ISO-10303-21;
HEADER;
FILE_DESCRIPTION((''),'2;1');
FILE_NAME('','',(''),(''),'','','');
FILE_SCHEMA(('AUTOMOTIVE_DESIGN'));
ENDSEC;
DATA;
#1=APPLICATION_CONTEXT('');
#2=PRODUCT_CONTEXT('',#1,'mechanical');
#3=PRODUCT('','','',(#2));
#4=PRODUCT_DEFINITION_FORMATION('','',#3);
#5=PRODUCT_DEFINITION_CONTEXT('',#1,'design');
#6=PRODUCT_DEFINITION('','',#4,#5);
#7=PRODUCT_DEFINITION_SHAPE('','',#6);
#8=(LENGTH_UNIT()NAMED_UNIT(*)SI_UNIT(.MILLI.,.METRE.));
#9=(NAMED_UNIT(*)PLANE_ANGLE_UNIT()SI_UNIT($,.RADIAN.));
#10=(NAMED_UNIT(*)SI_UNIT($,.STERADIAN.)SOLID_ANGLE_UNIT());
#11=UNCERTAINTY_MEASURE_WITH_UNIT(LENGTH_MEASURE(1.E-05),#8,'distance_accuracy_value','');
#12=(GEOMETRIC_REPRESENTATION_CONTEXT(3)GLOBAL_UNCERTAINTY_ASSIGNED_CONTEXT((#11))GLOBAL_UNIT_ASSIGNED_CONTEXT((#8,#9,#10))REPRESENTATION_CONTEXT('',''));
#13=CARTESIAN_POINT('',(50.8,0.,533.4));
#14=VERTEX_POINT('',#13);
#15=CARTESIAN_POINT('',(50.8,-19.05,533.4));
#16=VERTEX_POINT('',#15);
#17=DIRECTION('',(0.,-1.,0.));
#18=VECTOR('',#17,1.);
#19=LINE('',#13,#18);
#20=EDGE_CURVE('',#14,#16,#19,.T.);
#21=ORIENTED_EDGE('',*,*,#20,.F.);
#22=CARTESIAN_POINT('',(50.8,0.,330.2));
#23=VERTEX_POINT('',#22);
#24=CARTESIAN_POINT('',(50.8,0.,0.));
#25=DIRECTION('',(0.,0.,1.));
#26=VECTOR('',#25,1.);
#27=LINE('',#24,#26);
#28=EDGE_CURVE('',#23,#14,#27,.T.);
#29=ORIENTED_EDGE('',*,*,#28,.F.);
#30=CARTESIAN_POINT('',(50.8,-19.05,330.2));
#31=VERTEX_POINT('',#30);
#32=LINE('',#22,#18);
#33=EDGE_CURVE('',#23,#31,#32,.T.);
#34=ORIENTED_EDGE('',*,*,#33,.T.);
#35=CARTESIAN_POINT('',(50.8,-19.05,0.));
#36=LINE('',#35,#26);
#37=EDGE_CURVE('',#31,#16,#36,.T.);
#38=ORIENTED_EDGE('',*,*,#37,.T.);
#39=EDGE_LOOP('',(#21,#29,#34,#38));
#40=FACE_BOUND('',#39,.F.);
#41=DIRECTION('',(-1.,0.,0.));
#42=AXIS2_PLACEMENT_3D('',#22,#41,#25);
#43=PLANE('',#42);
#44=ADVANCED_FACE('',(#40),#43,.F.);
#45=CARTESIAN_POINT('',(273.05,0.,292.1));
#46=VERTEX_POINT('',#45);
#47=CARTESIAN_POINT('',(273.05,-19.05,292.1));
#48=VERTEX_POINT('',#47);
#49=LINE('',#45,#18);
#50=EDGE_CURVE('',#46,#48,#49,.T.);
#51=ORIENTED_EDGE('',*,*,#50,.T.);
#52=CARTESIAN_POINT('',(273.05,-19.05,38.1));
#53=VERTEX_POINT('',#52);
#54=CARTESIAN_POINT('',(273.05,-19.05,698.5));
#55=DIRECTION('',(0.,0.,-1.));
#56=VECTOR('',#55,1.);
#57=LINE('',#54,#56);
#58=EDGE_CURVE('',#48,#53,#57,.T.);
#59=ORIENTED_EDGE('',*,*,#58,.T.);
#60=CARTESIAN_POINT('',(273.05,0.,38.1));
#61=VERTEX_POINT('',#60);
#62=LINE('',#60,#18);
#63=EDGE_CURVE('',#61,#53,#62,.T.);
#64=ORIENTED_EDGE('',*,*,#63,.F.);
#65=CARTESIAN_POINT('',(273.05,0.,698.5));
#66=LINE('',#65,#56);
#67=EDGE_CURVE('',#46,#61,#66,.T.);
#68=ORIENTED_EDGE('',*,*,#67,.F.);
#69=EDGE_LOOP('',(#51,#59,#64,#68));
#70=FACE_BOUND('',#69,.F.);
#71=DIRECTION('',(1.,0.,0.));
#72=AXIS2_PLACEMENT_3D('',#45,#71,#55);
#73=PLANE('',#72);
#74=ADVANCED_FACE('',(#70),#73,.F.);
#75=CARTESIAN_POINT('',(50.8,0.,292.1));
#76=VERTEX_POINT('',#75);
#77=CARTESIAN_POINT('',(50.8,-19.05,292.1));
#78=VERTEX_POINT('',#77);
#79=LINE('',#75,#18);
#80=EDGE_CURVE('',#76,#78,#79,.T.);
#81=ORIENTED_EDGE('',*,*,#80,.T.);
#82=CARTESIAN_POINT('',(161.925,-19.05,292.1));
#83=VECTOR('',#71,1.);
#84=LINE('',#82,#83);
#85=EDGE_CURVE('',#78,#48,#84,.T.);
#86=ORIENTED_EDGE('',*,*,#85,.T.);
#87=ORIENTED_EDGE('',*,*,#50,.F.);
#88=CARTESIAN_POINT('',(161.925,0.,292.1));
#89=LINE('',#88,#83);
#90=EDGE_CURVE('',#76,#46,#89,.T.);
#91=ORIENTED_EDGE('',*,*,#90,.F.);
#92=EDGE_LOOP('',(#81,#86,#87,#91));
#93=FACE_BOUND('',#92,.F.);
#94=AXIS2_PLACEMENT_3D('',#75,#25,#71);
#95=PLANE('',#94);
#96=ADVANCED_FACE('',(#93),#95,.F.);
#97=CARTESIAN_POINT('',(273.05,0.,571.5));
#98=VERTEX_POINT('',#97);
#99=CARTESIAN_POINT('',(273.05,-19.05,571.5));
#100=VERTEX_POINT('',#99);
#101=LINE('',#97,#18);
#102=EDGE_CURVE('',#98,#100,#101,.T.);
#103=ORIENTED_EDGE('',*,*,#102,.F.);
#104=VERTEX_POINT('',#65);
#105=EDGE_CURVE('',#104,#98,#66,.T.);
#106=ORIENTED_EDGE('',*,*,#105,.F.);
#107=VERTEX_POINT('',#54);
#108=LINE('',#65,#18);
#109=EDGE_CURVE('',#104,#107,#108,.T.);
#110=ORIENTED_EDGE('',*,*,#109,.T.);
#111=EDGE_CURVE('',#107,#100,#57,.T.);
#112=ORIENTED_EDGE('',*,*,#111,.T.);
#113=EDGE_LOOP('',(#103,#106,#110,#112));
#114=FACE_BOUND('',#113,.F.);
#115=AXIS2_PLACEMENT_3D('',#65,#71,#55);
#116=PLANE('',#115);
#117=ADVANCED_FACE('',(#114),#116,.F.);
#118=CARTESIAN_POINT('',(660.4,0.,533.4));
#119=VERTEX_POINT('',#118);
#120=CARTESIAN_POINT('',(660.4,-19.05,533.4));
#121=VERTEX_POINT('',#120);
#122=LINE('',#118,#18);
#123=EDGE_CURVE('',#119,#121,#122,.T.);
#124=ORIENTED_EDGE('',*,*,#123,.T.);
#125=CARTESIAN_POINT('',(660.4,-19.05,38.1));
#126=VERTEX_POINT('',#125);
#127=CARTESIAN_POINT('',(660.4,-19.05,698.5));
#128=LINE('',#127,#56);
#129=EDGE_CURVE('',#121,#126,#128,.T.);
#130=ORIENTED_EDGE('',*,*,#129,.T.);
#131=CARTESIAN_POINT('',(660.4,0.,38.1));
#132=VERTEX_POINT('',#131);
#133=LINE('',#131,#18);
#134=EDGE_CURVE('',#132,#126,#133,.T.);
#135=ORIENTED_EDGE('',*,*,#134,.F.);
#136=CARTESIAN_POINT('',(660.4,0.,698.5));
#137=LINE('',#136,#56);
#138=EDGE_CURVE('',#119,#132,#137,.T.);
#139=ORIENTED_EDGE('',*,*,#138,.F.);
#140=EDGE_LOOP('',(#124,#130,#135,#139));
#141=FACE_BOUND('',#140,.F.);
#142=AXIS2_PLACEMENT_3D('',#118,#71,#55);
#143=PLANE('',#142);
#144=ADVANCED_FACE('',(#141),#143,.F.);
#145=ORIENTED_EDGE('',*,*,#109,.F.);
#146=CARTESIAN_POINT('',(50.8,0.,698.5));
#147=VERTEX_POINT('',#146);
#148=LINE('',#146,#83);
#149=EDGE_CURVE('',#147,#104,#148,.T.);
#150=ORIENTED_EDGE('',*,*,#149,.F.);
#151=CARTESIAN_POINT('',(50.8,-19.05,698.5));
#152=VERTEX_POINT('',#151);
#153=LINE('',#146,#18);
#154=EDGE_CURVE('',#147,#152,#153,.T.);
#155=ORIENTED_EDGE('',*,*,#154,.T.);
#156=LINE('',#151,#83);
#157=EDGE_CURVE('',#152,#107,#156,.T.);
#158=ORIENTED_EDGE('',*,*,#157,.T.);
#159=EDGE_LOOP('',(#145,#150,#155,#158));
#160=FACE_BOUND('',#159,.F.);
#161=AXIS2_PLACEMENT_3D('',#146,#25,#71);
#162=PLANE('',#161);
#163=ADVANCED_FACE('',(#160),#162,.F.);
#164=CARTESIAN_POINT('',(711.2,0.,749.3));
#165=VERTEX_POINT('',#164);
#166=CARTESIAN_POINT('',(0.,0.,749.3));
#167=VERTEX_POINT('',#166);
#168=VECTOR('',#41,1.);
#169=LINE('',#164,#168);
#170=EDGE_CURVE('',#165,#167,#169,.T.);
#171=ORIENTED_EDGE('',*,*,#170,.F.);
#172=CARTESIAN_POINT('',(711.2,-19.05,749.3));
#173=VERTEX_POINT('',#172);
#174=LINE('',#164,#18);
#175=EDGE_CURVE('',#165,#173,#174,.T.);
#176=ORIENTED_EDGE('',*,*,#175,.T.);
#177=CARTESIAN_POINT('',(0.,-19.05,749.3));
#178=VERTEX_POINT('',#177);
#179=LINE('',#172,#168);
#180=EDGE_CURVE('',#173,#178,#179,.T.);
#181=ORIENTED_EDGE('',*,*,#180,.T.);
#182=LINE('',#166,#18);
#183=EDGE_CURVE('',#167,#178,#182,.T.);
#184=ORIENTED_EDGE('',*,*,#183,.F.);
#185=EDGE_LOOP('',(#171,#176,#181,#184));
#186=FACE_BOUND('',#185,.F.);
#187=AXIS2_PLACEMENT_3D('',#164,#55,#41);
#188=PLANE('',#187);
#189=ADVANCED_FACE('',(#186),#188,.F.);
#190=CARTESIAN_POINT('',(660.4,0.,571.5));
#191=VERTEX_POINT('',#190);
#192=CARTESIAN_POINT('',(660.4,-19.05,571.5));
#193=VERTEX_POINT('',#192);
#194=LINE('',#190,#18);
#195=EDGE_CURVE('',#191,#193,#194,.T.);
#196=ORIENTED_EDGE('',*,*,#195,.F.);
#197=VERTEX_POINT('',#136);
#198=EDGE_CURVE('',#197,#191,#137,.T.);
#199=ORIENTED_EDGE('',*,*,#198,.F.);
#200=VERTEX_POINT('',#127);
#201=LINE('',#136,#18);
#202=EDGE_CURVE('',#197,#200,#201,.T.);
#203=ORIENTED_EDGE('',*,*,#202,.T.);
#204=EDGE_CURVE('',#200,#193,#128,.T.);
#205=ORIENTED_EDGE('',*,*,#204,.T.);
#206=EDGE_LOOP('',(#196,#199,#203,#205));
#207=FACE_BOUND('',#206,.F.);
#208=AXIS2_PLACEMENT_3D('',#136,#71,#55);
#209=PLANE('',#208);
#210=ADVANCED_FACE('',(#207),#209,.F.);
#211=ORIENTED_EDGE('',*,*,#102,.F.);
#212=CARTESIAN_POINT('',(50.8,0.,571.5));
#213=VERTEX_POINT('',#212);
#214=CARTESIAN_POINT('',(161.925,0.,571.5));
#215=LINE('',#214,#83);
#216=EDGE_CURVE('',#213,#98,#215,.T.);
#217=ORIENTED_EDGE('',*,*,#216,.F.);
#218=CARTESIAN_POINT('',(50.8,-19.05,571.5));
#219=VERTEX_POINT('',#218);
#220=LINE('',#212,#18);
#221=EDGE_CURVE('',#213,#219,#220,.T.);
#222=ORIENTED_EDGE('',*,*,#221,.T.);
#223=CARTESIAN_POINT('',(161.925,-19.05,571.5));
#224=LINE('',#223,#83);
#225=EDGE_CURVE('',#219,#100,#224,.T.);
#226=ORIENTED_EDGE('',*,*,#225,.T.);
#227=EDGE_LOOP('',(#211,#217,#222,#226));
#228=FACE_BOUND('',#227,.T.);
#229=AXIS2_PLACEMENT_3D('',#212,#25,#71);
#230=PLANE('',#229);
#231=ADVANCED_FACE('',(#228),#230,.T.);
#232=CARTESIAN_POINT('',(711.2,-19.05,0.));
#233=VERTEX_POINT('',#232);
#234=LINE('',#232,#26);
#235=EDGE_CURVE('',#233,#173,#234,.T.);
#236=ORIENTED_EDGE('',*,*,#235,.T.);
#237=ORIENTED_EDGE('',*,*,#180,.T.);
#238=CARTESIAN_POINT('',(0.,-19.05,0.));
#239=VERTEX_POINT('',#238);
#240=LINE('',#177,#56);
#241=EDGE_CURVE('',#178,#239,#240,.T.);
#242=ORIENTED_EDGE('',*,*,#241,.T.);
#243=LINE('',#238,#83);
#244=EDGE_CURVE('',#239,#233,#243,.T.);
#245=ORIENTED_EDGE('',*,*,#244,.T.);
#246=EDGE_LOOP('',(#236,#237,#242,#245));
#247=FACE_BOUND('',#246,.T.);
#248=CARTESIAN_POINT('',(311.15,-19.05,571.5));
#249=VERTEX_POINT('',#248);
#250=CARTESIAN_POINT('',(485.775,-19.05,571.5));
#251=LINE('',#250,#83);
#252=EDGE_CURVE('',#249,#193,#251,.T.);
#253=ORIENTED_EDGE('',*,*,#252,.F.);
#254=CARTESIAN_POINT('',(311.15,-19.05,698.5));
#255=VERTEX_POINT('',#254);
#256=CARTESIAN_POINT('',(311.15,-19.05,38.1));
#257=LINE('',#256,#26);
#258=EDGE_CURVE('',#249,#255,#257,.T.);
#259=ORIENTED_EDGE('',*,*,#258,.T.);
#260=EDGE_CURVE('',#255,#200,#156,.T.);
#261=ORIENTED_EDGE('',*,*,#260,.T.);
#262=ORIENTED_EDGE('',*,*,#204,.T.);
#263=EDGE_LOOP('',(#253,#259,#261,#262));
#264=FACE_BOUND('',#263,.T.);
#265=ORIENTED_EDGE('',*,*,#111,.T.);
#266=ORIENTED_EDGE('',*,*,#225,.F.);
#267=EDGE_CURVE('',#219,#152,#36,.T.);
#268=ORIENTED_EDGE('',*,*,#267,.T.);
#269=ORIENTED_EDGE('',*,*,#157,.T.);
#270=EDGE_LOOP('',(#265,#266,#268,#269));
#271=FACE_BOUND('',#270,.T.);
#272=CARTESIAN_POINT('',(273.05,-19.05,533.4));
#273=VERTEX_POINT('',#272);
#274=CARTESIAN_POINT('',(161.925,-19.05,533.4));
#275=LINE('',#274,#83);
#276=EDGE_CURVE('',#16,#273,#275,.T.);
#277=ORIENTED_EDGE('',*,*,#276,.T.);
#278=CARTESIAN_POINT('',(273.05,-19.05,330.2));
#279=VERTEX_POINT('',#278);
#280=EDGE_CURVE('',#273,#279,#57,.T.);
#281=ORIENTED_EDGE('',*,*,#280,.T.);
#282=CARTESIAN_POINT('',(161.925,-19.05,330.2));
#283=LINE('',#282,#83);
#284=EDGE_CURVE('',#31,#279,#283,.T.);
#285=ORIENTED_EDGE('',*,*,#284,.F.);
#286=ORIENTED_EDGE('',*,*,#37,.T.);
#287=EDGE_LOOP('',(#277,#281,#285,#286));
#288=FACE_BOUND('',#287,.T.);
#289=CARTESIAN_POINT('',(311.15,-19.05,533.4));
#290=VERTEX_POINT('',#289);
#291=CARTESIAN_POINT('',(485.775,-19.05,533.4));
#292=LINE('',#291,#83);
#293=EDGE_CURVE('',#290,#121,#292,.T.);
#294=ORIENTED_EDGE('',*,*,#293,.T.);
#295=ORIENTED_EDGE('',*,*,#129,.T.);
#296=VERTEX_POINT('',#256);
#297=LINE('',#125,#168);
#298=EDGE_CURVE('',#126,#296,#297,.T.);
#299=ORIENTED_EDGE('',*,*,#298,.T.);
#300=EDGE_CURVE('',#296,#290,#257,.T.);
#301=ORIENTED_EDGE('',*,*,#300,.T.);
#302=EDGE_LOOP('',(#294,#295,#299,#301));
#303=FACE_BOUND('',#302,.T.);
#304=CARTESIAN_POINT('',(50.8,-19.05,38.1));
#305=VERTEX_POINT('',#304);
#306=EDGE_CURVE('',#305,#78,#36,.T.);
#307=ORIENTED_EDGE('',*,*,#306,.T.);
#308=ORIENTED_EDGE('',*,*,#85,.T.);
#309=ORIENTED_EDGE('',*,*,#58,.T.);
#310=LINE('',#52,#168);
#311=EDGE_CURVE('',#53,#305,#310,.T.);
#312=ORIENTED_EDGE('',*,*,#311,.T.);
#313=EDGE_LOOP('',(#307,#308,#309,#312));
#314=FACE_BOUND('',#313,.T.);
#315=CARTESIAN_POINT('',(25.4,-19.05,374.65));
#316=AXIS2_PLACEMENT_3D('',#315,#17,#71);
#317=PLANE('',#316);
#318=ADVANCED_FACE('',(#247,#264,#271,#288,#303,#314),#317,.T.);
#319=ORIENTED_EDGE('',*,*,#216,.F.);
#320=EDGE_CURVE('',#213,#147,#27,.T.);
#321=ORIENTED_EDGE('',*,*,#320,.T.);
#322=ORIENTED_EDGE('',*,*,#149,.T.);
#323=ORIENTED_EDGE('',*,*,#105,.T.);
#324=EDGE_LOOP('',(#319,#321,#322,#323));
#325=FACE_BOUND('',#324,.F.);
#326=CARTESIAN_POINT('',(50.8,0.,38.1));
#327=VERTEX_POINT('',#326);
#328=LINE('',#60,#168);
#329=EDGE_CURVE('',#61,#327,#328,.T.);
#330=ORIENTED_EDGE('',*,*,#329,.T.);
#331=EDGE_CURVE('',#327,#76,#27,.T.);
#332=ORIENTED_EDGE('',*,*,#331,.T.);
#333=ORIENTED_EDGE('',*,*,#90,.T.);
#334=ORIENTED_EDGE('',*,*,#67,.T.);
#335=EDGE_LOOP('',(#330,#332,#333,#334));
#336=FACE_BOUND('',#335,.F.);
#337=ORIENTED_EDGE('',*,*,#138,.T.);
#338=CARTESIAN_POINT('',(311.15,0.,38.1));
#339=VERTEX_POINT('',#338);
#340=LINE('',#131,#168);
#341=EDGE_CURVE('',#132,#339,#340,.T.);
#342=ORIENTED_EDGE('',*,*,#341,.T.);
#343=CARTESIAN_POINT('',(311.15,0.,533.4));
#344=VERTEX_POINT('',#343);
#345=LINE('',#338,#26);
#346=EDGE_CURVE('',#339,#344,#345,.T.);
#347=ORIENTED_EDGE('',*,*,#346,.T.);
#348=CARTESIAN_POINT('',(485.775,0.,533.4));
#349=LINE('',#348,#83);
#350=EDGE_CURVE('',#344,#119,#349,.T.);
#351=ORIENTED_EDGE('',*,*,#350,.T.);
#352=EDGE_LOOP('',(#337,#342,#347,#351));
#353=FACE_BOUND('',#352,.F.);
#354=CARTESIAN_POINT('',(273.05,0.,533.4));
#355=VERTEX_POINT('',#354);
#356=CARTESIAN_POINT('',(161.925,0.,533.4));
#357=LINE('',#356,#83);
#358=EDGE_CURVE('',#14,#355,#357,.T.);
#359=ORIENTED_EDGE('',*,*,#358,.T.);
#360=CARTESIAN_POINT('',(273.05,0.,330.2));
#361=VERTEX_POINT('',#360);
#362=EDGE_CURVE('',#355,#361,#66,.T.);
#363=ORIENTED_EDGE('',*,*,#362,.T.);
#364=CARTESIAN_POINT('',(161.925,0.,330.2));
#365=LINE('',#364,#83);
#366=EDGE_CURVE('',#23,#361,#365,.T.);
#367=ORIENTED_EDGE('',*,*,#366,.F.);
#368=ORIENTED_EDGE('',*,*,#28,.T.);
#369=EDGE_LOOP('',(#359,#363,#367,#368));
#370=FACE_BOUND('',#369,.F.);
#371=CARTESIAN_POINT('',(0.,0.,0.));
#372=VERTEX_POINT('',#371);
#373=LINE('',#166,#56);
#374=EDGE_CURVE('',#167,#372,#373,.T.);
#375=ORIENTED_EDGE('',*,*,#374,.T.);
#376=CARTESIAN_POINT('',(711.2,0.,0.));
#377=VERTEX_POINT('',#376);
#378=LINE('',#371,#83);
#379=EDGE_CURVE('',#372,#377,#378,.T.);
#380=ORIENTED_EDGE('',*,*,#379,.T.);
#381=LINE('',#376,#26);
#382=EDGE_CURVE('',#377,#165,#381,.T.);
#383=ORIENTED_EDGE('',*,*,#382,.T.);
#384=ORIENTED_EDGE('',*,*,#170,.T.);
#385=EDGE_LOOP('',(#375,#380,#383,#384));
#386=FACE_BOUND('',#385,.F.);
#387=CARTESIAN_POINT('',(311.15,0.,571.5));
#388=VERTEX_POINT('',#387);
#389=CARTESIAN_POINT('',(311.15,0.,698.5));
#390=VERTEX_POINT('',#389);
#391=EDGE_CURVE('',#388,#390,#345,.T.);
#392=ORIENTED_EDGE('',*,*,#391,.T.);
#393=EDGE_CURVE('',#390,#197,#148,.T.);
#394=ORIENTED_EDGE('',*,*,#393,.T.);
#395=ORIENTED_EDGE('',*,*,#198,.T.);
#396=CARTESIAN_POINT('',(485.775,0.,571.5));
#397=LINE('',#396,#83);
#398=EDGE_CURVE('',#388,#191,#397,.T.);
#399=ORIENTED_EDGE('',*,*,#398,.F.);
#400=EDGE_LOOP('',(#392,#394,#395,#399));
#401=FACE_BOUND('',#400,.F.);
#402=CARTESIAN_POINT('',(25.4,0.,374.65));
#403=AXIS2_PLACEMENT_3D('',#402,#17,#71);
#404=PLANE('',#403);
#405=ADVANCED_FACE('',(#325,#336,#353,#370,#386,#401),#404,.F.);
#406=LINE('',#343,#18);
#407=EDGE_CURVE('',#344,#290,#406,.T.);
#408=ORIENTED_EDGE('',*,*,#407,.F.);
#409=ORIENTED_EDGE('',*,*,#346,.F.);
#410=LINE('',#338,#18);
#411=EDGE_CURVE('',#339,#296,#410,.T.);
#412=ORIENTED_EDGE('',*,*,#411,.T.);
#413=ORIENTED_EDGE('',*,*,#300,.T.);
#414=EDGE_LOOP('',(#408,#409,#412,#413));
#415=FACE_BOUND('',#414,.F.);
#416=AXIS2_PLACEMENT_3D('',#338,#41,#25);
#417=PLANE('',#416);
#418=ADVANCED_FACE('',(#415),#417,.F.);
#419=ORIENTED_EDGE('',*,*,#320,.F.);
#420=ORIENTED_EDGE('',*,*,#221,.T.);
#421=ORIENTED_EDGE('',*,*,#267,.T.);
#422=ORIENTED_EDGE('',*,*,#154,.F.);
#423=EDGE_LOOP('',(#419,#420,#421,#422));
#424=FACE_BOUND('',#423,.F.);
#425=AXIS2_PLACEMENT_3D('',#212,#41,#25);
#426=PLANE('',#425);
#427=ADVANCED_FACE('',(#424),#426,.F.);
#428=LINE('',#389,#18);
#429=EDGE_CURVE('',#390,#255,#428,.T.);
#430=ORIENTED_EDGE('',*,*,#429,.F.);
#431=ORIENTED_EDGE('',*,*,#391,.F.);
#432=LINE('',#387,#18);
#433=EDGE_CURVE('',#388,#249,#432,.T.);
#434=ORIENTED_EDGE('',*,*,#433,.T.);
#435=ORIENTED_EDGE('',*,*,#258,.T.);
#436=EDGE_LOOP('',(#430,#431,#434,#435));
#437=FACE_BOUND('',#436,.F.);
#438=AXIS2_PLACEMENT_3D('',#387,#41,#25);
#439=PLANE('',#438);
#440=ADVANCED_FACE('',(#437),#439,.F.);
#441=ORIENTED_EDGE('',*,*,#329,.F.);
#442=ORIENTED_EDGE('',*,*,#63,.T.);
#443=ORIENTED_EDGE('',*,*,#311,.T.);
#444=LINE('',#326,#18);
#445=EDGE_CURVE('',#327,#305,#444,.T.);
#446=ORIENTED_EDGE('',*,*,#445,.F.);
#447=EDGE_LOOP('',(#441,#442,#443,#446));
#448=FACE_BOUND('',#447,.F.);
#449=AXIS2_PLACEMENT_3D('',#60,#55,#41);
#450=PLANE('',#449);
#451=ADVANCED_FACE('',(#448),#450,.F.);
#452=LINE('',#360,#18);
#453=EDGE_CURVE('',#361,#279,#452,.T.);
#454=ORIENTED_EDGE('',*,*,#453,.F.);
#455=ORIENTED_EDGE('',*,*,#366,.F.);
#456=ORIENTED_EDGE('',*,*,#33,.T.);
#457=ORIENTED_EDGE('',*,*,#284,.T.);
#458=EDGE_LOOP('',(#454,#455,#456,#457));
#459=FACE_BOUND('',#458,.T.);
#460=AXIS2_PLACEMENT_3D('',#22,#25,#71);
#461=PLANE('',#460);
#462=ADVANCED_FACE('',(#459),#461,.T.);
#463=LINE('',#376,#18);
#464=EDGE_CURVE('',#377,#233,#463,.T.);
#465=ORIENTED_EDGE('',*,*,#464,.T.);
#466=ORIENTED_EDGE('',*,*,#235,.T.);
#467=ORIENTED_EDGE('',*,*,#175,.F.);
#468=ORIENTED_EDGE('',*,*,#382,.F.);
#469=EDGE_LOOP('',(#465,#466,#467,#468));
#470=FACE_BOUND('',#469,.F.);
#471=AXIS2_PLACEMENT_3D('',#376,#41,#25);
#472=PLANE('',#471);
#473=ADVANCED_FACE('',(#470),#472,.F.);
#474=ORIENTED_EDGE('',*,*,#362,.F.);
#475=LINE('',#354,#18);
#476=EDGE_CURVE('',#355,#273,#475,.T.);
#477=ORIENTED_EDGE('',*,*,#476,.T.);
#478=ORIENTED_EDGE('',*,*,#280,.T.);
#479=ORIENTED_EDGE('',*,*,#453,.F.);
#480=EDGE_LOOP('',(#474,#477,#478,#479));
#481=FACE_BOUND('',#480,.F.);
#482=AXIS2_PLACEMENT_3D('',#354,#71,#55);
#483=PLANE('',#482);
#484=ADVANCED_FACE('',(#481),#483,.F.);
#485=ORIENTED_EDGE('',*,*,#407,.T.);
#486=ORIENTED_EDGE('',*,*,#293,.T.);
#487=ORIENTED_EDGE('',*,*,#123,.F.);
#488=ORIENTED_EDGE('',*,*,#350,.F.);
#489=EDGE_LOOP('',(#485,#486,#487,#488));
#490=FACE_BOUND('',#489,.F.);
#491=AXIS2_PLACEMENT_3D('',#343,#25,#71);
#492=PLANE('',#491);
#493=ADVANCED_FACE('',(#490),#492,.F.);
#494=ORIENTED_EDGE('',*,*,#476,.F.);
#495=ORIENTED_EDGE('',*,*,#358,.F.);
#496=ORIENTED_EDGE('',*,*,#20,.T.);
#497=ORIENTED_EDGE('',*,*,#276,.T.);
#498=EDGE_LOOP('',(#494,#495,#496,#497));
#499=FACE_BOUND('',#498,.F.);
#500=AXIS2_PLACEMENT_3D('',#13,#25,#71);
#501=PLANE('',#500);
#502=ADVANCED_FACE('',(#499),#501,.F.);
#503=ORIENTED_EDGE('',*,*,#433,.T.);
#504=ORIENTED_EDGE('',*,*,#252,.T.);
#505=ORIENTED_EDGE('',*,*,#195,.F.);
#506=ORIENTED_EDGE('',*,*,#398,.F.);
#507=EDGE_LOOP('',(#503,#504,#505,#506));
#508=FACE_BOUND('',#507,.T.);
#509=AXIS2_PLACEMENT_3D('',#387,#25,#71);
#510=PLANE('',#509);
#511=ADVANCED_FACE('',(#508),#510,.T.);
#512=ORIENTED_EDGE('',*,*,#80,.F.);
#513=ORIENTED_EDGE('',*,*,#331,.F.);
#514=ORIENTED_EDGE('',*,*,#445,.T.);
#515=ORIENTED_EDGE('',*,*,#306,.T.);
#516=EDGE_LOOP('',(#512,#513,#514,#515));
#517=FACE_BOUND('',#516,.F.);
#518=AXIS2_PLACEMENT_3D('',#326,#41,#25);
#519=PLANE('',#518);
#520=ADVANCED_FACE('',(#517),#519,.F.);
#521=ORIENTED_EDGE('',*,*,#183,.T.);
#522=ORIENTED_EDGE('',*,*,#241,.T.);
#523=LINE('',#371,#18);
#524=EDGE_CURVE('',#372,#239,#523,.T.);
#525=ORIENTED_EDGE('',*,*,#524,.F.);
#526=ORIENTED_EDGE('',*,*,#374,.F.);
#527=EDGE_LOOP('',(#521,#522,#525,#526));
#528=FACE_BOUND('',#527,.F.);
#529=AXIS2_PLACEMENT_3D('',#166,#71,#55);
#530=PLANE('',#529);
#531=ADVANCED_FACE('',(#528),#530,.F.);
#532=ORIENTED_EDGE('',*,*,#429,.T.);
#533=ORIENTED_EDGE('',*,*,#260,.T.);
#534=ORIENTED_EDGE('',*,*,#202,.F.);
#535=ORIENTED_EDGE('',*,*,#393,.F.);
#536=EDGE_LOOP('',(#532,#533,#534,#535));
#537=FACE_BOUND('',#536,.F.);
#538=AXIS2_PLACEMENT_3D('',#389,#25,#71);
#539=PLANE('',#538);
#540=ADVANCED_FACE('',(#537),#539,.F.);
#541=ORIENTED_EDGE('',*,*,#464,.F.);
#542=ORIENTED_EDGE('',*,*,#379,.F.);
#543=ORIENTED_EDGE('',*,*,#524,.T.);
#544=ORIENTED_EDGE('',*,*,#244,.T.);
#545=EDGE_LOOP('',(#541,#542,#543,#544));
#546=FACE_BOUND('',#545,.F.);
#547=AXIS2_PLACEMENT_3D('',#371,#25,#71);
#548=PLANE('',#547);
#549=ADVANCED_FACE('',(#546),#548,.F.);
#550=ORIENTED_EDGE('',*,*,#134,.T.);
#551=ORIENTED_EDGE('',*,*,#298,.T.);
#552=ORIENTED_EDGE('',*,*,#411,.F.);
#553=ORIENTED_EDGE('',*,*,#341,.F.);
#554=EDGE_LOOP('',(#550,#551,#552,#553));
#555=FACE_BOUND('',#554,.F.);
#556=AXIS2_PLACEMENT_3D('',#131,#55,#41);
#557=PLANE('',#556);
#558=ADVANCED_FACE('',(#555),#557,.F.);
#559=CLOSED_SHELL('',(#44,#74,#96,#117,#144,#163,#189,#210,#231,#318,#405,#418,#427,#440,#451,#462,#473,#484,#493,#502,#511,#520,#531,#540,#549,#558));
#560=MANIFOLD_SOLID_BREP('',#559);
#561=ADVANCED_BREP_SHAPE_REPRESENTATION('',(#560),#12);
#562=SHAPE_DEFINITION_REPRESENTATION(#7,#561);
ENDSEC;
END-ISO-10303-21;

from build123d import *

# Parameters (mm, degrees)
F0_W     = 349.25
F0_H     = 38.1
F0_W_2   = 222.25
F1_DEPTH = 19.05


with BuildPart() as f1:
    # F0 (on Front) → F1 (new body)
    with BuildSketch(Plane.XZ):
        Polygon((0, 749.3), (0, 0), (50.8, 0), (50.8, 38.1), (50.8, 292.1), (50.8, 330.2), (50.8, 533.4), (50.8, 571.5), (50.8, 698.5), (50.8, 749.3), align=None)
        Polygon((660.4, 749.3), (50.8, 749.3), (50.8, 698.5), (273.05, 698.5), (311.15, 698.5), (660.4, 698.5), align=None)
        Polygon((660.4, 38.1), (660.4, 0), (711.2, 0), (711.2, 749.3), (660.4, 749.3), (660.4, 698.5), (660.4, 571.5), (660.4, 533.4), align=None)
        Polygon((273.05, 292.1), (273.05, 38.1), (311.15, 38.1), (311.15, 533.4), (311.15, 571.5), (311.15, 698.5), (273.05, 698.5), (273.05, 571.5), (273.05, 533.4), (273.05, 330.2), align=None)
        with Locations((485.775, 552.45)):
            Rectangle(F0_W, F0_H)
        with Locations((161.925, 552.45)):
            Rectangle(F0_W_2, F0_H)
        with Locations((161.925, 311.15)):
            Rectangle(F0_W_2, F0_H)
        Polygon((50.8, 38.1), (50.8, 0), (660.4, 0), (660.4, 38.1), (311.15, 38.1), (273.05, 38.1), align=None)
    extrude(amount=F1_DEPTH)


solid = f1.part
